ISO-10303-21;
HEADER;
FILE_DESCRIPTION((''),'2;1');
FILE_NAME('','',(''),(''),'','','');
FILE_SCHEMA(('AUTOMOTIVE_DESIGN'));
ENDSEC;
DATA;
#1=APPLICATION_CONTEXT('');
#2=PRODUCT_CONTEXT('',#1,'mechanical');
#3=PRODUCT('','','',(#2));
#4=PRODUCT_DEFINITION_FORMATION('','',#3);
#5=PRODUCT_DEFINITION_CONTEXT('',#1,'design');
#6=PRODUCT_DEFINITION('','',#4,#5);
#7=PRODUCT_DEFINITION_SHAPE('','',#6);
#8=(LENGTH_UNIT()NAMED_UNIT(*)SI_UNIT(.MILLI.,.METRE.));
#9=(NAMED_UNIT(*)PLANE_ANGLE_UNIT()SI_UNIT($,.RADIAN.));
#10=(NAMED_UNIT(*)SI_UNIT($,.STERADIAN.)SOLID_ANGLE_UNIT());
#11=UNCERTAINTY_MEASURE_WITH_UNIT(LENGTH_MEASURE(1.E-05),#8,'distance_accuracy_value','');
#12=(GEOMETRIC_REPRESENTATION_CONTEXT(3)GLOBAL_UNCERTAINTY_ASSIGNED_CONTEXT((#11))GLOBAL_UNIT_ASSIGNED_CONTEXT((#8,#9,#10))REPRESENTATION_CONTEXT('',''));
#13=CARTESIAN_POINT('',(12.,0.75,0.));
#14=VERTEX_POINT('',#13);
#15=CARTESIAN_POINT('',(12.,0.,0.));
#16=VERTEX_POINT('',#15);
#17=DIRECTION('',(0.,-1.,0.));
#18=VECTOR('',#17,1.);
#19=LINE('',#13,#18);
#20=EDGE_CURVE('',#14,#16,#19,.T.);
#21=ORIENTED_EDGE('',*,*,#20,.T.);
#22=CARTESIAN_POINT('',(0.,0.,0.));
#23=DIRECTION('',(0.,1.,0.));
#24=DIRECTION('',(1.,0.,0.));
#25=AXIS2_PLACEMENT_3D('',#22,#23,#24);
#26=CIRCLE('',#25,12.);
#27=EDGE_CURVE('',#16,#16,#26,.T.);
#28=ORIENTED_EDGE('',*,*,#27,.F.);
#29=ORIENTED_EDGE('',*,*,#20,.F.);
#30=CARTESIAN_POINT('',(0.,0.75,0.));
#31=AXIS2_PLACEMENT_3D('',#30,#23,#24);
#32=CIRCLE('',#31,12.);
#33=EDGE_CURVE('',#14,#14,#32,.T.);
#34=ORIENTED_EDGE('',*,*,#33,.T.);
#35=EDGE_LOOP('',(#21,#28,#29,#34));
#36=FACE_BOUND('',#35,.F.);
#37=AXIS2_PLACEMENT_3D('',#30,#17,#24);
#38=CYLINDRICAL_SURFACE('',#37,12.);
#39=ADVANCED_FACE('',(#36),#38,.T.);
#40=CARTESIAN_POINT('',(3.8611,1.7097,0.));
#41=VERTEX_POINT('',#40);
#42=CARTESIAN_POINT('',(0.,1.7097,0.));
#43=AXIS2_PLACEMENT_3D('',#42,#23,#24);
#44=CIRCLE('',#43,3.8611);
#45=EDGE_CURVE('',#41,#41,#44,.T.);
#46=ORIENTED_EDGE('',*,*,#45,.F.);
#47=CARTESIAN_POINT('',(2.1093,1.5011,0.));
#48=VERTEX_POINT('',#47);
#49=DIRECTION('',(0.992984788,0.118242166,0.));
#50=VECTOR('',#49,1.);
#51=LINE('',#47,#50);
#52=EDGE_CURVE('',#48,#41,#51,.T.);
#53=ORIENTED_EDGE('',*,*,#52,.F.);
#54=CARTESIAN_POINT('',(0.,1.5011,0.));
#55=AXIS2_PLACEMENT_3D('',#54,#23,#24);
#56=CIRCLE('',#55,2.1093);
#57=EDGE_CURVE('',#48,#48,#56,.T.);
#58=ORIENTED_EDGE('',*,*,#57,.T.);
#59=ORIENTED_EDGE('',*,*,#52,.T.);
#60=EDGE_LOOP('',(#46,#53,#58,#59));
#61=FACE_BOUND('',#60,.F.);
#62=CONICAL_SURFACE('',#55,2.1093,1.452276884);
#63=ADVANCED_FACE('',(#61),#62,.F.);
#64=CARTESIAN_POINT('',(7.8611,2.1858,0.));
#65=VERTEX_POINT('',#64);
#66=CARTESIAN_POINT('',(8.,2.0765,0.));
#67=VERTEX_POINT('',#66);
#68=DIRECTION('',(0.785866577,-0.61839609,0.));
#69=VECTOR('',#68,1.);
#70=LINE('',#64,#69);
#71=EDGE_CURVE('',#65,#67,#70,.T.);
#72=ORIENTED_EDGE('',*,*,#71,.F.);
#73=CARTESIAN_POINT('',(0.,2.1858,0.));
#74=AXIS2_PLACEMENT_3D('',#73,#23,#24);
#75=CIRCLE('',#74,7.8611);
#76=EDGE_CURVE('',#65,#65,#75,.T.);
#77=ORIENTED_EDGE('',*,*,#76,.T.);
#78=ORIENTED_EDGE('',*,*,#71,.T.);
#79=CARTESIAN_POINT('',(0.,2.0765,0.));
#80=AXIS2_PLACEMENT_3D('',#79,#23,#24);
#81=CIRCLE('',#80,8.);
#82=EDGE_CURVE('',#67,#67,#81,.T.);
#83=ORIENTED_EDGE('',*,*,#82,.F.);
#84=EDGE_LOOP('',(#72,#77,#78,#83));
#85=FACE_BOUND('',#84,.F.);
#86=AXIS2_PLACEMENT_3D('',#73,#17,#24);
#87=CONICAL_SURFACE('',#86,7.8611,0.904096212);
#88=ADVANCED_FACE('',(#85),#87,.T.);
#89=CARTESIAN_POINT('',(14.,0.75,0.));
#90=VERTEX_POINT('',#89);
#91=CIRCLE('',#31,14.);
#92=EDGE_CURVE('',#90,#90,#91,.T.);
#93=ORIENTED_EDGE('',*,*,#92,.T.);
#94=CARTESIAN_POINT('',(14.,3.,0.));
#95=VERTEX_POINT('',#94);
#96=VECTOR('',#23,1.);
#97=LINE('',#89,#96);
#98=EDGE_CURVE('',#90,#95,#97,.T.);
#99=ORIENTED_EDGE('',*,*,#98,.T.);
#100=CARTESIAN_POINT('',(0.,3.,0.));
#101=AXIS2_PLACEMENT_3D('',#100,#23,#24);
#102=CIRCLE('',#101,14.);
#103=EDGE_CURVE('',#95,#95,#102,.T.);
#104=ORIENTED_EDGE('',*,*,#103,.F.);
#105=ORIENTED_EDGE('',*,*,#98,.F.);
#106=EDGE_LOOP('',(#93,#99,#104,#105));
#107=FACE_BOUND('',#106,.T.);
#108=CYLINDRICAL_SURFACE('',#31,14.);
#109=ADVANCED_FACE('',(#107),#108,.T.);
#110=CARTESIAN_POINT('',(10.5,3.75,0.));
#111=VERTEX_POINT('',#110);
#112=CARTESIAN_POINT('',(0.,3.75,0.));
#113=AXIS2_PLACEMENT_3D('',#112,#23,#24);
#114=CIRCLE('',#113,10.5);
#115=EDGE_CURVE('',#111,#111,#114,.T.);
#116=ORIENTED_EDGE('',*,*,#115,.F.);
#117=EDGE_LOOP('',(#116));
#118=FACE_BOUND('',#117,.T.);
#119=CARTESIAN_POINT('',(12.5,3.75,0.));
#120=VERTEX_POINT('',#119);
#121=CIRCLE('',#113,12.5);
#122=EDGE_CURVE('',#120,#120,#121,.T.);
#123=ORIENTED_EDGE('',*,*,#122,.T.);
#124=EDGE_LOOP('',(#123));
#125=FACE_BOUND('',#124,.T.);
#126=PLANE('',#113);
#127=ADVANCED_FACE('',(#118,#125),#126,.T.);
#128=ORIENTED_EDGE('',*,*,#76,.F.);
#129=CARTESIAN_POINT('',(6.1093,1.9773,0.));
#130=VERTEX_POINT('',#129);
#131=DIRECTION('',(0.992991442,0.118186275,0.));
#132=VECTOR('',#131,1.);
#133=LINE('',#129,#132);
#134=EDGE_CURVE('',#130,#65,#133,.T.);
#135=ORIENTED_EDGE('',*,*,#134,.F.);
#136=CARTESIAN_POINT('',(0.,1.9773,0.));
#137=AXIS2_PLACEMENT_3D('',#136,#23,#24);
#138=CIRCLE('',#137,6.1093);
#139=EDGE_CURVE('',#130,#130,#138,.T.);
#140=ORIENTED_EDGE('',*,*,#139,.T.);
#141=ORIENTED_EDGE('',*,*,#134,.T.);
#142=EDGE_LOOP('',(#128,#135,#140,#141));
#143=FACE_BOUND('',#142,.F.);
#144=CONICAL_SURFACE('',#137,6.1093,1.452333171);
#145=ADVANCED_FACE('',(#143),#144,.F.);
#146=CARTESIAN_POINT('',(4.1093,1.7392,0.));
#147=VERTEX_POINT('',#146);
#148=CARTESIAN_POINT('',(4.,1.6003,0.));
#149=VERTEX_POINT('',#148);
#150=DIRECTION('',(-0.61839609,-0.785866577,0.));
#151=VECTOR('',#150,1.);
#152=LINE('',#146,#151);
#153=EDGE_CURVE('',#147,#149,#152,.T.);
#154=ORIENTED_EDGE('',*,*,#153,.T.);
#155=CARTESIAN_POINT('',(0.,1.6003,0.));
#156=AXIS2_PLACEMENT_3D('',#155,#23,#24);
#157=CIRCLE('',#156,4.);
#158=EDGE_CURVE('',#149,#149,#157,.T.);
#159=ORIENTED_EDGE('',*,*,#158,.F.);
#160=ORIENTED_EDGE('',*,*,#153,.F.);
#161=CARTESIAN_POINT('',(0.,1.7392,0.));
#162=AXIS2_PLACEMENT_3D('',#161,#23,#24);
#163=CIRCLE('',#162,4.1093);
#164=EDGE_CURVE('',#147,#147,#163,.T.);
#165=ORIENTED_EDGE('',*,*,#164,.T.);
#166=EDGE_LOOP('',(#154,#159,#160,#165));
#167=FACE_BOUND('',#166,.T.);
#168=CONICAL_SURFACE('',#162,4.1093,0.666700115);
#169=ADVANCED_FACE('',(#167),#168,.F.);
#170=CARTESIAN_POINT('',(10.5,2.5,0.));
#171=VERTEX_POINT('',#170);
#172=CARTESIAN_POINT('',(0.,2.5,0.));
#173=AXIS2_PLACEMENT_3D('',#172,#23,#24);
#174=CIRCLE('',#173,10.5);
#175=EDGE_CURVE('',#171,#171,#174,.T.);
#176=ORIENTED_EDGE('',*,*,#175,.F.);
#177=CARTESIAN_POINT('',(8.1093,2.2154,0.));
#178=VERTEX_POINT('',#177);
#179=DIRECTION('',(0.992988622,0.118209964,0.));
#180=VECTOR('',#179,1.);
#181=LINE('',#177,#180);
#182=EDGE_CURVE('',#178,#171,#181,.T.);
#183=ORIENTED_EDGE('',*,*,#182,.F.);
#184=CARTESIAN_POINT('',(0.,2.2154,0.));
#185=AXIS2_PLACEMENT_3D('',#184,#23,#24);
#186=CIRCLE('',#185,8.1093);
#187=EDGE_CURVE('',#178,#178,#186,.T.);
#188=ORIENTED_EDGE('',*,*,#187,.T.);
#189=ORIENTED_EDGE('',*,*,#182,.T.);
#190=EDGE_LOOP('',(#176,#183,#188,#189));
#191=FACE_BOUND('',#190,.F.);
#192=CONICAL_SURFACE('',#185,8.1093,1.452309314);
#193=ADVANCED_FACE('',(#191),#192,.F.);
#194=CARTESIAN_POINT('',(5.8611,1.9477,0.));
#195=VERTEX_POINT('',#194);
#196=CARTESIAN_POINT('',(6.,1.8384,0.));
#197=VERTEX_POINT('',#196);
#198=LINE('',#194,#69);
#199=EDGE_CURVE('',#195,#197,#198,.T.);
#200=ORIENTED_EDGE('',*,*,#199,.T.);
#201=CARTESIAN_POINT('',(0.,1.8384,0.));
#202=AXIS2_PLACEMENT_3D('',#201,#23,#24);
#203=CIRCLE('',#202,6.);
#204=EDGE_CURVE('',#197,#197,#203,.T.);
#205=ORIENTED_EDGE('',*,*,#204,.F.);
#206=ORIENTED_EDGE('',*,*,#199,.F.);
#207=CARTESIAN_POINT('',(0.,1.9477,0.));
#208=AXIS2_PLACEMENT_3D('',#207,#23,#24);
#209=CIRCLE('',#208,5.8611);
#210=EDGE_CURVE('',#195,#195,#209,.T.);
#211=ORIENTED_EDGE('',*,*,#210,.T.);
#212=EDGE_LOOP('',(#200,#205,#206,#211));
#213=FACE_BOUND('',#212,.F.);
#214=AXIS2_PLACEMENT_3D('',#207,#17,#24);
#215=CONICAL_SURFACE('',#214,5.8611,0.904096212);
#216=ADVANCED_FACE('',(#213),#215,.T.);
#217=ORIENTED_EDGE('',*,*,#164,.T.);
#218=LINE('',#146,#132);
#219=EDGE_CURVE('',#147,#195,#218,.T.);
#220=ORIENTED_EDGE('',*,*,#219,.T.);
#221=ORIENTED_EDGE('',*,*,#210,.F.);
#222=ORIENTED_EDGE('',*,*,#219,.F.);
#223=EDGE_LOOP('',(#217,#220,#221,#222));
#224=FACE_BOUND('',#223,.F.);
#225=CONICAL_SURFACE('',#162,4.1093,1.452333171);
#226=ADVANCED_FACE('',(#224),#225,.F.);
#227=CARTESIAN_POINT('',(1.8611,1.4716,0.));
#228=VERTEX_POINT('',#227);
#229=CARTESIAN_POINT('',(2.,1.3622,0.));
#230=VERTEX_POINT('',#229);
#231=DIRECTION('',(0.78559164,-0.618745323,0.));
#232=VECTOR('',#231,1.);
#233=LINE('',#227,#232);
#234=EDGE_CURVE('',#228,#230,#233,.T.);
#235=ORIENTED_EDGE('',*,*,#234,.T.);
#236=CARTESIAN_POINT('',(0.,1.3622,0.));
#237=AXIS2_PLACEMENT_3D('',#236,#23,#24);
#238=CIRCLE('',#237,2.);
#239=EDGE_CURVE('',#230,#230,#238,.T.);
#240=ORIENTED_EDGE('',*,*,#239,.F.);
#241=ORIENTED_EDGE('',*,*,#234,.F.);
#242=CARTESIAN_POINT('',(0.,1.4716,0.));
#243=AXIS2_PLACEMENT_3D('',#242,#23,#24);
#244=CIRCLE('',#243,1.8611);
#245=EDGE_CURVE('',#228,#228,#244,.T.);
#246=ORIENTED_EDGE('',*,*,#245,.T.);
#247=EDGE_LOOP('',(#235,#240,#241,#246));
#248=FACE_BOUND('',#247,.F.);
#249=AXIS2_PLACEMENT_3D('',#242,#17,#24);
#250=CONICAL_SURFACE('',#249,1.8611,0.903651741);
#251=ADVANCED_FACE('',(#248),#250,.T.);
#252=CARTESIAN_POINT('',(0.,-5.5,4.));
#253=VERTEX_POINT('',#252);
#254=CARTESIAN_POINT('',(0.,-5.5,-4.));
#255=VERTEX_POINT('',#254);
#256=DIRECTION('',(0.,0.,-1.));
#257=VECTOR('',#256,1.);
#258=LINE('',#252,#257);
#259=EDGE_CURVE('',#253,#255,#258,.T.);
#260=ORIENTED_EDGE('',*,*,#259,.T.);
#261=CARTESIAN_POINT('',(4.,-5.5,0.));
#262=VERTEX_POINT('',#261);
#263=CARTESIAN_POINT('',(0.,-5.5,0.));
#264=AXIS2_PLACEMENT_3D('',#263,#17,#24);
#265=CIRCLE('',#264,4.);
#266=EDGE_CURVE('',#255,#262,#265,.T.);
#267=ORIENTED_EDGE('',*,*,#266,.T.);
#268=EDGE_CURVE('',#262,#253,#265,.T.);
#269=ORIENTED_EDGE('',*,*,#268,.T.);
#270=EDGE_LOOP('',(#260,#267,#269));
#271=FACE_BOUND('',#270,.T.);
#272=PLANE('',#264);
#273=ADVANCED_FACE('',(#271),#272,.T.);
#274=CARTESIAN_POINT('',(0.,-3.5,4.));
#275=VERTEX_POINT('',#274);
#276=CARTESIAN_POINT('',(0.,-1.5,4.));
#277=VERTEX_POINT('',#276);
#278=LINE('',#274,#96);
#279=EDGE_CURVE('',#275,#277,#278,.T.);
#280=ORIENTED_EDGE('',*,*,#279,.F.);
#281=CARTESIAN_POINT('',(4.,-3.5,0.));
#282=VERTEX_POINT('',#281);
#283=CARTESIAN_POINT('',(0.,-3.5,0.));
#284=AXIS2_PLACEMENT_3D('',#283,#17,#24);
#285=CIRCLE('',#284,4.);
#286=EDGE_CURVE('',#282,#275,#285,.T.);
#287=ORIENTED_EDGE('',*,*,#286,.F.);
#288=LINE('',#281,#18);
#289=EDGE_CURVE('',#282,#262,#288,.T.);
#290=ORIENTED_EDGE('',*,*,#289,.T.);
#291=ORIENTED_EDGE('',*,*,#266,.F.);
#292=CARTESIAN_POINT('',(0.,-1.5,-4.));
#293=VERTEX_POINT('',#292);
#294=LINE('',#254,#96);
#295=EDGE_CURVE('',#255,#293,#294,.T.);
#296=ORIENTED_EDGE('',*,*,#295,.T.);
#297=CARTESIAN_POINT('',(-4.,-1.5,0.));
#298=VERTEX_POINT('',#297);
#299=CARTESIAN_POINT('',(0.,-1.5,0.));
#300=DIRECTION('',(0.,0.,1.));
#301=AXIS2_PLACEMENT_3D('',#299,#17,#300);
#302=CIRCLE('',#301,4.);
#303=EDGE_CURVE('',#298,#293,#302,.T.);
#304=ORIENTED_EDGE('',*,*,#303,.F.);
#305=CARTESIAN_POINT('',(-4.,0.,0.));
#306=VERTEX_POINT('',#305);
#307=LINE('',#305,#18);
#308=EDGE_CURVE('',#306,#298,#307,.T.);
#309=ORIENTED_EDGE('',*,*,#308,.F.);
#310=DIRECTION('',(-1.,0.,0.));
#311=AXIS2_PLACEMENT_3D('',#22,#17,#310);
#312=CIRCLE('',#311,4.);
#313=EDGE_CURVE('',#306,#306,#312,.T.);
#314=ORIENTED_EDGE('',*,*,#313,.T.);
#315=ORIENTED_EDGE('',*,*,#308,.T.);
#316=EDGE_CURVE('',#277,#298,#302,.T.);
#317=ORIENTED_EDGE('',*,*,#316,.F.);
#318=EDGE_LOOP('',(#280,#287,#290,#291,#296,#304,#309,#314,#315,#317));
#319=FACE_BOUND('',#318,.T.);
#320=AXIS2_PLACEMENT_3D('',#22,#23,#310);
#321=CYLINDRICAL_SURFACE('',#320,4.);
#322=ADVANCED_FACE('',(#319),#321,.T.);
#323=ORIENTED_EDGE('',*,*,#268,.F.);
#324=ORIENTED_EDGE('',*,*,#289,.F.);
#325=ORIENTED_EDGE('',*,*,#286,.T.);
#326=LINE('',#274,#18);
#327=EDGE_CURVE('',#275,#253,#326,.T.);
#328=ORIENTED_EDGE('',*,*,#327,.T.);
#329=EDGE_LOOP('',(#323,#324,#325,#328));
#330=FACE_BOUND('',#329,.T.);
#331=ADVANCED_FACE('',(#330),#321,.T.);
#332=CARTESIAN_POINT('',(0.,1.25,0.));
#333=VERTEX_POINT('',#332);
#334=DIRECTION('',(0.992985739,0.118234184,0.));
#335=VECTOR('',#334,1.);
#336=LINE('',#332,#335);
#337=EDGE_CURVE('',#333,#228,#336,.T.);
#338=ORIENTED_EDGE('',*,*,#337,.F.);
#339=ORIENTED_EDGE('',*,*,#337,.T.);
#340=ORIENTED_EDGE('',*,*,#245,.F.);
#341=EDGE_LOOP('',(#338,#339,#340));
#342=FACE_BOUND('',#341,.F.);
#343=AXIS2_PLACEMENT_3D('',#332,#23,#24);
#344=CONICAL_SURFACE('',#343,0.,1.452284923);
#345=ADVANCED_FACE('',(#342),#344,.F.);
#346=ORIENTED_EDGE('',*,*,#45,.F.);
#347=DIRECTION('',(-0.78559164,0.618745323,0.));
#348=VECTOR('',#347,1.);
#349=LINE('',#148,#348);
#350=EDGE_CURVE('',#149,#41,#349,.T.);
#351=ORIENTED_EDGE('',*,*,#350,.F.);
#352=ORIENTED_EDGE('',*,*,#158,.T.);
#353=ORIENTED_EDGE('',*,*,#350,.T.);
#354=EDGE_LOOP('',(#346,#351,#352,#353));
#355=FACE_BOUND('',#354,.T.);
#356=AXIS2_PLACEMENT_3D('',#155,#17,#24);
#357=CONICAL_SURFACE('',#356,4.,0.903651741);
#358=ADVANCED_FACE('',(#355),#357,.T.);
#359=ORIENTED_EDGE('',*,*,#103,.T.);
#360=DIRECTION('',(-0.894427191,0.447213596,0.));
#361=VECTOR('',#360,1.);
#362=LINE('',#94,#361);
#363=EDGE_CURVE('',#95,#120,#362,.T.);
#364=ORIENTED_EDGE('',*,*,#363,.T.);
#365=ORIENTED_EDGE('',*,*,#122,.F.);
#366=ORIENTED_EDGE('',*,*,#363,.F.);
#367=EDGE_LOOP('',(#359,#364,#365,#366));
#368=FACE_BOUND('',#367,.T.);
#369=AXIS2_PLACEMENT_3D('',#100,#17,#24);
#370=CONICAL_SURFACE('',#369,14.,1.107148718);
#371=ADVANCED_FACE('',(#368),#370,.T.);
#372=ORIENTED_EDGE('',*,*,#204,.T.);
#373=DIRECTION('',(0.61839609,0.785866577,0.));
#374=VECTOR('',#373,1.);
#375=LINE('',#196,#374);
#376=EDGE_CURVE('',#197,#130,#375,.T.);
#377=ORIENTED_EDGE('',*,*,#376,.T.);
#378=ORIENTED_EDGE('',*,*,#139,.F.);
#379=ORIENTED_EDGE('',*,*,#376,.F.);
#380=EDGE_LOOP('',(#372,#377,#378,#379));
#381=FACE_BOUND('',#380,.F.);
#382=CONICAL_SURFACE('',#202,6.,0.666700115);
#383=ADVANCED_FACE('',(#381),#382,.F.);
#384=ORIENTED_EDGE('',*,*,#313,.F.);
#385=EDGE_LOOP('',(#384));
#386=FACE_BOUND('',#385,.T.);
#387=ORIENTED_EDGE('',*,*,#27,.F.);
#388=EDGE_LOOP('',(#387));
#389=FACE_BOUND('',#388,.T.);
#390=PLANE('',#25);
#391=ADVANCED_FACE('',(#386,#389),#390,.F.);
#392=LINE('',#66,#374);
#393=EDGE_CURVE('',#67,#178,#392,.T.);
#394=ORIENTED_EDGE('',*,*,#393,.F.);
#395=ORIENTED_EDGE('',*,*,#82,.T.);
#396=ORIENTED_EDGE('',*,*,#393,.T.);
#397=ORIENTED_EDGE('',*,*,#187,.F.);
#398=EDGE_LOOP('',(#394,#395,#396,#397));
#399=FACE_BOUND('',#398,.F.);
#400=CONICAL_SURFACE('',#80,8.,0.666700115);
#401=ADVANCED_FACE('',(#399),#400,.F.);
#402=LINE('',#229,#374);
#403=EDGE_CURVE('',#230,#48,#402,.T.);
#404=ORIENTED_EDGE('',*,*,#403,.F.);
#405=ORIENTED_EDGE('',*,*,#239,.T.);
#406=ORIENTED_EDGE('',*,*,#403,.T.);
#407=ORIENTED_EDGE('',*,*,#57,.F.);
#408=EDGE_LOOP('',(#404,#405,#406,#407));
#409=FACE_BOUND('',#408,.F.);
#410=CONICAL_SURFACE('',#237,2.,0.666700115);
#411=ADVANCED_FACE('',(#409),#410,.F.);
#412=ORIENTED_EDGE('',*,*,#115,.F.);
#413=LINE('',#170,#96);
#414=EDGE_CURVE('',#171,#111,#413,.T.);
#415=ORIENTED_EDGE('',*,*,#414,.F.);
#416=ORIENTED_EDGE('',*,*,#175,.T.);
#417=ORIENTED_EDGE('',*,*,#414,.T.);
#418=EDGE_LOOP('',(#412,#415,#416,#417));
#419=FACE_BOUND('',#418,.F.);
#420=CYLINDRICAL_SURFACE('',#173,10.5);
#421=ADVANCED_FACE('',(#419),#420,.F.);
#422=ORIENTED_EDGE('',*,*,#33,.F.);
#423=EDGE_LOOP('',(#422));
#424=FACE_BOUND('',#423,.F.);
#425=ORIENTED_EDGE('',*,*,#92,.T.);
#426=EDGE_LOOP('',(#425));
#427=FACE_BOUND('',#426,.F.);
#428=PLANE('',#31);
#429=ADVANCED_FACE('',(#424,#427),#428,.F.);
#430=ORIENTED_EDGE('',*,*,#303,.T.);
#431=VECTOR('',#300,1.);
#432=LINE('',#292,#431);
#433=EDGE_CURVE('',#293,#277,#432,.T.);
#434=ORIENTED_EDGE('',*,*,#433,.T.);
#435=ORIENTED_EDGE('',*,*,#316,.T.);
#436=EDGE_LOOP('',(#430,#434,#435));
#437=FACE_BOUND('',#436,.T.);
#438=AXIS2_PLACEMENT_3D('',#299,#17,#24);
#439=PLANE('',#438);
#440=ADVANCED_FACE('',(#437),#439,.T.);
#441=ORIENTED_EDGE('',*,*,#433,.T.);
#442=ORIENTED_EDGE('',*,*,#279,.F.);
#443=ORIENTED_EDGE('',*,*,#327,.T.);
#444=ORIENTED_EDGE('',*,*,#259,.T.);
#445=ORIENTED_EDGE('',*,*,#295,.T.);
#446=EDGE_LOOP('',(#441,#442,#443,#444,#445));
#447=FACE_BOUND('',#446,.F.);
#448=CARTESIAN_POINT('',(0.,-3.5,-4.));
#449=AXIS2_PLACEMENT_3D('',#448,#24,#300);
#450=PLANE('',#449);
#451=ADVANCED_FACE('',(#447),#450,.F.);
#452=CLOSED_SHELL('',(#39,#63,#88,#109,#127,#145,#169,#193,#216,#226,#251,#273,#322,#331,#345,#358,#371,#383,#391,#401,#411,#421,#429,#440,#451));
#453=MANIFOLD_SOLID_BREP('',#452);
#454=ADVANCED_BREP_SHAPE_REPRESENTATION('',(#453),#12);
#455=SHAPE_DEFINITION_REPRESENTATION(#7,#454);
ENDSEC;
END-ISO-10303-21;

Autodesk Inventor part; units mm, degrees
ref_plane "YZ Plane" through (0, 0, 0) normal (1, 0, 0) x (0, 1, 0)
ref_plane "XZ Plane" through (0, 0, 0) normal (0, 1, 0) x (-1, 0, 0)
ref_plane "XY Plane" through (0, 0, 0) normal (0, 0, 1) x (1, 0, 0)
sketch "Sketch1" plane through (0, 0, 0) normal (0, 1, 0) x (-1, 0, 0)
  circle A0 centre (0, 0) radius 4
  line L0 (0, 0) -> (4, 0) construction
  line L1 (0, 0) -> (0, -4) construction
  line L2 (0, 0) -> (-4, 0) construction
  line L3 (0, 0) -> (0, 4) construction
  dimension "d0" = 8
extrude "Extrusion1" add sketch "Sketch1" against normal blind 3.5
ref_plane "Work Plane1" through (0, 0, 0) normal (0, 0, 1) x (1, 0, 0)
sketch "Sketch2" plane through (0, 0, 0) normal (0, 0, 1) x (1, 0, 0)
  line L0 (-4, 0) -> (4, 0) projected
  line L1 (4, 0) -> (12, 0)
  line L2 (14, 0.75) -> (14, 3)
  line L3 (12.5, 3.75) -> (10.5, 3.75)
  line L4 (0, 0) -> (0, 1.25)
  line L5 (4, 0) -> (4, 1.5959) construction
  line L6 (14, 0.75) -> (12, 0.75)
  line L7 (12, 0.75) -> (12, 0)
  line L8 (14, 3) -> (12.5, 3.75)
  line L9 (10.5, 2.5) -> (10.5, 3.75)
  line L10 (5.8611, 1.9477) -> (6, 1.8384)
  line L11 (6, 1.8384) -> (6.1093, 1.9773)
  line L12 (4.1093, 1.7392) -> (4, 1.6003)
  line L13 (4, 1.6003) -> (3.8611, 1.7097)
  line L14 (1.8611, 1.4716) -> (2, 1.3622)
  line L15 (2, 1.3622) -> (2.1093, 1.5011)
  line L16 (0, 1.25) -> (1.8611, 1.4716)
  line L17 (2.1093, 1.5011) -> (3.8611, 1.7097)
  line L18 (4.1093, 1.7392) -> (5.8611, 1.9477)
  line L19 (4, 1.6003) -> (4, 3.125) construction
  line L20 (6, 1.8384) -> (6, 3.125) construction
  line L21 (10.5, 3.125) -> (6, 3.125) construction
  line L22 (6, 3.125) -> (4, 3.125) construction
  line L23 (4, 3.125) -> (2, 3.125) construction
  line L24 (2, 3.125) -> (0, 3.125) construction
  line L25 (1.8611, 1.4716) -> (2.1093, 1.5011) construction
  line L26 (3.8611, 1.7097) -> (4.1093, 1.7392) construction
  line L27 (5.8611, 1.9477) -> (6.1093, 1.9773) construction
  line L28 (1.9852, 1.4863) -> (2, 1.3622) construction
  line L29 (4, 1.7262) -> (4, 1.6003) construction
  line L30 (2, 1.3622) -> (2, 3.125) construction
  line L31 (7.8611, 2.1858) -> (8, 2.0765)
  line L32 (8, 2.0765) -> (8.1093, 2.2154)
  line L33 (8, 2.0765) -> (8, 3.125) construction
  line L34 (6.1093, 1.9773) -> (7.8611, 2.1858)
  line L35 (8.1093, 2.2154) -> (10.5, 2.5)
  point P0 (6, 1.9643)
  dimension "d8" = 14
  dimension "d11" = 12
  dimension "d12" = 0.75
  dimension "d13" = 3
  dimension "d14" = 0.75
  dimension "d15" = 1.5
  dimension "d16" = 1.25
  dimension "d19" = 3.5
  dimension "d23" = 1.25
  dimension "d24" = 2
  dimension "d25" = 0.125
  dimension "d26" = 2
  dimension "d27" = 2
revolve "Revolution1" add sketch "Sketch2" angle 360 about axis through (0, 0, 0) along (0, 1, 0)
sketch "Sketch3" plane through (0, -3.5, 0) normal (0, -1, 0) x (1, 0, 0)
  point P0 (0, 0)
  point P1 (0, 0)
sketch "Sketch4" plane through (0, -3.5, 0) normal (0, -1, 0) x (1, 0, 0)
  circle A0 centre (0, 0) radius 4 projected
  circle A1 centre (0, 0) radius 4 projected
  arc A2 (0, -4) -> (0, 4) centre (0, 0) ccw
  line L0 (0, 4) -> (0, -4)
extrude "Extrusion2" add sketch "Sketch4" along normal blind 2 contours A0 L0 picked at (0.5785, 1.2013)
sketch "Sketch5" plane through (0, -3.5, 0) normal (0, -1, 0) x (1, 0, 0)
  line L0 (0, -4) -> (0, 4) projected
  arc A0 (0, 4) -> (0, -4) centre (0, 0) ccw projected
extrude "Extrusion3" cut sketch "Sketch5" against normal blind 2
properties part number "Caps 8mm Square Rounded Caps Male"
